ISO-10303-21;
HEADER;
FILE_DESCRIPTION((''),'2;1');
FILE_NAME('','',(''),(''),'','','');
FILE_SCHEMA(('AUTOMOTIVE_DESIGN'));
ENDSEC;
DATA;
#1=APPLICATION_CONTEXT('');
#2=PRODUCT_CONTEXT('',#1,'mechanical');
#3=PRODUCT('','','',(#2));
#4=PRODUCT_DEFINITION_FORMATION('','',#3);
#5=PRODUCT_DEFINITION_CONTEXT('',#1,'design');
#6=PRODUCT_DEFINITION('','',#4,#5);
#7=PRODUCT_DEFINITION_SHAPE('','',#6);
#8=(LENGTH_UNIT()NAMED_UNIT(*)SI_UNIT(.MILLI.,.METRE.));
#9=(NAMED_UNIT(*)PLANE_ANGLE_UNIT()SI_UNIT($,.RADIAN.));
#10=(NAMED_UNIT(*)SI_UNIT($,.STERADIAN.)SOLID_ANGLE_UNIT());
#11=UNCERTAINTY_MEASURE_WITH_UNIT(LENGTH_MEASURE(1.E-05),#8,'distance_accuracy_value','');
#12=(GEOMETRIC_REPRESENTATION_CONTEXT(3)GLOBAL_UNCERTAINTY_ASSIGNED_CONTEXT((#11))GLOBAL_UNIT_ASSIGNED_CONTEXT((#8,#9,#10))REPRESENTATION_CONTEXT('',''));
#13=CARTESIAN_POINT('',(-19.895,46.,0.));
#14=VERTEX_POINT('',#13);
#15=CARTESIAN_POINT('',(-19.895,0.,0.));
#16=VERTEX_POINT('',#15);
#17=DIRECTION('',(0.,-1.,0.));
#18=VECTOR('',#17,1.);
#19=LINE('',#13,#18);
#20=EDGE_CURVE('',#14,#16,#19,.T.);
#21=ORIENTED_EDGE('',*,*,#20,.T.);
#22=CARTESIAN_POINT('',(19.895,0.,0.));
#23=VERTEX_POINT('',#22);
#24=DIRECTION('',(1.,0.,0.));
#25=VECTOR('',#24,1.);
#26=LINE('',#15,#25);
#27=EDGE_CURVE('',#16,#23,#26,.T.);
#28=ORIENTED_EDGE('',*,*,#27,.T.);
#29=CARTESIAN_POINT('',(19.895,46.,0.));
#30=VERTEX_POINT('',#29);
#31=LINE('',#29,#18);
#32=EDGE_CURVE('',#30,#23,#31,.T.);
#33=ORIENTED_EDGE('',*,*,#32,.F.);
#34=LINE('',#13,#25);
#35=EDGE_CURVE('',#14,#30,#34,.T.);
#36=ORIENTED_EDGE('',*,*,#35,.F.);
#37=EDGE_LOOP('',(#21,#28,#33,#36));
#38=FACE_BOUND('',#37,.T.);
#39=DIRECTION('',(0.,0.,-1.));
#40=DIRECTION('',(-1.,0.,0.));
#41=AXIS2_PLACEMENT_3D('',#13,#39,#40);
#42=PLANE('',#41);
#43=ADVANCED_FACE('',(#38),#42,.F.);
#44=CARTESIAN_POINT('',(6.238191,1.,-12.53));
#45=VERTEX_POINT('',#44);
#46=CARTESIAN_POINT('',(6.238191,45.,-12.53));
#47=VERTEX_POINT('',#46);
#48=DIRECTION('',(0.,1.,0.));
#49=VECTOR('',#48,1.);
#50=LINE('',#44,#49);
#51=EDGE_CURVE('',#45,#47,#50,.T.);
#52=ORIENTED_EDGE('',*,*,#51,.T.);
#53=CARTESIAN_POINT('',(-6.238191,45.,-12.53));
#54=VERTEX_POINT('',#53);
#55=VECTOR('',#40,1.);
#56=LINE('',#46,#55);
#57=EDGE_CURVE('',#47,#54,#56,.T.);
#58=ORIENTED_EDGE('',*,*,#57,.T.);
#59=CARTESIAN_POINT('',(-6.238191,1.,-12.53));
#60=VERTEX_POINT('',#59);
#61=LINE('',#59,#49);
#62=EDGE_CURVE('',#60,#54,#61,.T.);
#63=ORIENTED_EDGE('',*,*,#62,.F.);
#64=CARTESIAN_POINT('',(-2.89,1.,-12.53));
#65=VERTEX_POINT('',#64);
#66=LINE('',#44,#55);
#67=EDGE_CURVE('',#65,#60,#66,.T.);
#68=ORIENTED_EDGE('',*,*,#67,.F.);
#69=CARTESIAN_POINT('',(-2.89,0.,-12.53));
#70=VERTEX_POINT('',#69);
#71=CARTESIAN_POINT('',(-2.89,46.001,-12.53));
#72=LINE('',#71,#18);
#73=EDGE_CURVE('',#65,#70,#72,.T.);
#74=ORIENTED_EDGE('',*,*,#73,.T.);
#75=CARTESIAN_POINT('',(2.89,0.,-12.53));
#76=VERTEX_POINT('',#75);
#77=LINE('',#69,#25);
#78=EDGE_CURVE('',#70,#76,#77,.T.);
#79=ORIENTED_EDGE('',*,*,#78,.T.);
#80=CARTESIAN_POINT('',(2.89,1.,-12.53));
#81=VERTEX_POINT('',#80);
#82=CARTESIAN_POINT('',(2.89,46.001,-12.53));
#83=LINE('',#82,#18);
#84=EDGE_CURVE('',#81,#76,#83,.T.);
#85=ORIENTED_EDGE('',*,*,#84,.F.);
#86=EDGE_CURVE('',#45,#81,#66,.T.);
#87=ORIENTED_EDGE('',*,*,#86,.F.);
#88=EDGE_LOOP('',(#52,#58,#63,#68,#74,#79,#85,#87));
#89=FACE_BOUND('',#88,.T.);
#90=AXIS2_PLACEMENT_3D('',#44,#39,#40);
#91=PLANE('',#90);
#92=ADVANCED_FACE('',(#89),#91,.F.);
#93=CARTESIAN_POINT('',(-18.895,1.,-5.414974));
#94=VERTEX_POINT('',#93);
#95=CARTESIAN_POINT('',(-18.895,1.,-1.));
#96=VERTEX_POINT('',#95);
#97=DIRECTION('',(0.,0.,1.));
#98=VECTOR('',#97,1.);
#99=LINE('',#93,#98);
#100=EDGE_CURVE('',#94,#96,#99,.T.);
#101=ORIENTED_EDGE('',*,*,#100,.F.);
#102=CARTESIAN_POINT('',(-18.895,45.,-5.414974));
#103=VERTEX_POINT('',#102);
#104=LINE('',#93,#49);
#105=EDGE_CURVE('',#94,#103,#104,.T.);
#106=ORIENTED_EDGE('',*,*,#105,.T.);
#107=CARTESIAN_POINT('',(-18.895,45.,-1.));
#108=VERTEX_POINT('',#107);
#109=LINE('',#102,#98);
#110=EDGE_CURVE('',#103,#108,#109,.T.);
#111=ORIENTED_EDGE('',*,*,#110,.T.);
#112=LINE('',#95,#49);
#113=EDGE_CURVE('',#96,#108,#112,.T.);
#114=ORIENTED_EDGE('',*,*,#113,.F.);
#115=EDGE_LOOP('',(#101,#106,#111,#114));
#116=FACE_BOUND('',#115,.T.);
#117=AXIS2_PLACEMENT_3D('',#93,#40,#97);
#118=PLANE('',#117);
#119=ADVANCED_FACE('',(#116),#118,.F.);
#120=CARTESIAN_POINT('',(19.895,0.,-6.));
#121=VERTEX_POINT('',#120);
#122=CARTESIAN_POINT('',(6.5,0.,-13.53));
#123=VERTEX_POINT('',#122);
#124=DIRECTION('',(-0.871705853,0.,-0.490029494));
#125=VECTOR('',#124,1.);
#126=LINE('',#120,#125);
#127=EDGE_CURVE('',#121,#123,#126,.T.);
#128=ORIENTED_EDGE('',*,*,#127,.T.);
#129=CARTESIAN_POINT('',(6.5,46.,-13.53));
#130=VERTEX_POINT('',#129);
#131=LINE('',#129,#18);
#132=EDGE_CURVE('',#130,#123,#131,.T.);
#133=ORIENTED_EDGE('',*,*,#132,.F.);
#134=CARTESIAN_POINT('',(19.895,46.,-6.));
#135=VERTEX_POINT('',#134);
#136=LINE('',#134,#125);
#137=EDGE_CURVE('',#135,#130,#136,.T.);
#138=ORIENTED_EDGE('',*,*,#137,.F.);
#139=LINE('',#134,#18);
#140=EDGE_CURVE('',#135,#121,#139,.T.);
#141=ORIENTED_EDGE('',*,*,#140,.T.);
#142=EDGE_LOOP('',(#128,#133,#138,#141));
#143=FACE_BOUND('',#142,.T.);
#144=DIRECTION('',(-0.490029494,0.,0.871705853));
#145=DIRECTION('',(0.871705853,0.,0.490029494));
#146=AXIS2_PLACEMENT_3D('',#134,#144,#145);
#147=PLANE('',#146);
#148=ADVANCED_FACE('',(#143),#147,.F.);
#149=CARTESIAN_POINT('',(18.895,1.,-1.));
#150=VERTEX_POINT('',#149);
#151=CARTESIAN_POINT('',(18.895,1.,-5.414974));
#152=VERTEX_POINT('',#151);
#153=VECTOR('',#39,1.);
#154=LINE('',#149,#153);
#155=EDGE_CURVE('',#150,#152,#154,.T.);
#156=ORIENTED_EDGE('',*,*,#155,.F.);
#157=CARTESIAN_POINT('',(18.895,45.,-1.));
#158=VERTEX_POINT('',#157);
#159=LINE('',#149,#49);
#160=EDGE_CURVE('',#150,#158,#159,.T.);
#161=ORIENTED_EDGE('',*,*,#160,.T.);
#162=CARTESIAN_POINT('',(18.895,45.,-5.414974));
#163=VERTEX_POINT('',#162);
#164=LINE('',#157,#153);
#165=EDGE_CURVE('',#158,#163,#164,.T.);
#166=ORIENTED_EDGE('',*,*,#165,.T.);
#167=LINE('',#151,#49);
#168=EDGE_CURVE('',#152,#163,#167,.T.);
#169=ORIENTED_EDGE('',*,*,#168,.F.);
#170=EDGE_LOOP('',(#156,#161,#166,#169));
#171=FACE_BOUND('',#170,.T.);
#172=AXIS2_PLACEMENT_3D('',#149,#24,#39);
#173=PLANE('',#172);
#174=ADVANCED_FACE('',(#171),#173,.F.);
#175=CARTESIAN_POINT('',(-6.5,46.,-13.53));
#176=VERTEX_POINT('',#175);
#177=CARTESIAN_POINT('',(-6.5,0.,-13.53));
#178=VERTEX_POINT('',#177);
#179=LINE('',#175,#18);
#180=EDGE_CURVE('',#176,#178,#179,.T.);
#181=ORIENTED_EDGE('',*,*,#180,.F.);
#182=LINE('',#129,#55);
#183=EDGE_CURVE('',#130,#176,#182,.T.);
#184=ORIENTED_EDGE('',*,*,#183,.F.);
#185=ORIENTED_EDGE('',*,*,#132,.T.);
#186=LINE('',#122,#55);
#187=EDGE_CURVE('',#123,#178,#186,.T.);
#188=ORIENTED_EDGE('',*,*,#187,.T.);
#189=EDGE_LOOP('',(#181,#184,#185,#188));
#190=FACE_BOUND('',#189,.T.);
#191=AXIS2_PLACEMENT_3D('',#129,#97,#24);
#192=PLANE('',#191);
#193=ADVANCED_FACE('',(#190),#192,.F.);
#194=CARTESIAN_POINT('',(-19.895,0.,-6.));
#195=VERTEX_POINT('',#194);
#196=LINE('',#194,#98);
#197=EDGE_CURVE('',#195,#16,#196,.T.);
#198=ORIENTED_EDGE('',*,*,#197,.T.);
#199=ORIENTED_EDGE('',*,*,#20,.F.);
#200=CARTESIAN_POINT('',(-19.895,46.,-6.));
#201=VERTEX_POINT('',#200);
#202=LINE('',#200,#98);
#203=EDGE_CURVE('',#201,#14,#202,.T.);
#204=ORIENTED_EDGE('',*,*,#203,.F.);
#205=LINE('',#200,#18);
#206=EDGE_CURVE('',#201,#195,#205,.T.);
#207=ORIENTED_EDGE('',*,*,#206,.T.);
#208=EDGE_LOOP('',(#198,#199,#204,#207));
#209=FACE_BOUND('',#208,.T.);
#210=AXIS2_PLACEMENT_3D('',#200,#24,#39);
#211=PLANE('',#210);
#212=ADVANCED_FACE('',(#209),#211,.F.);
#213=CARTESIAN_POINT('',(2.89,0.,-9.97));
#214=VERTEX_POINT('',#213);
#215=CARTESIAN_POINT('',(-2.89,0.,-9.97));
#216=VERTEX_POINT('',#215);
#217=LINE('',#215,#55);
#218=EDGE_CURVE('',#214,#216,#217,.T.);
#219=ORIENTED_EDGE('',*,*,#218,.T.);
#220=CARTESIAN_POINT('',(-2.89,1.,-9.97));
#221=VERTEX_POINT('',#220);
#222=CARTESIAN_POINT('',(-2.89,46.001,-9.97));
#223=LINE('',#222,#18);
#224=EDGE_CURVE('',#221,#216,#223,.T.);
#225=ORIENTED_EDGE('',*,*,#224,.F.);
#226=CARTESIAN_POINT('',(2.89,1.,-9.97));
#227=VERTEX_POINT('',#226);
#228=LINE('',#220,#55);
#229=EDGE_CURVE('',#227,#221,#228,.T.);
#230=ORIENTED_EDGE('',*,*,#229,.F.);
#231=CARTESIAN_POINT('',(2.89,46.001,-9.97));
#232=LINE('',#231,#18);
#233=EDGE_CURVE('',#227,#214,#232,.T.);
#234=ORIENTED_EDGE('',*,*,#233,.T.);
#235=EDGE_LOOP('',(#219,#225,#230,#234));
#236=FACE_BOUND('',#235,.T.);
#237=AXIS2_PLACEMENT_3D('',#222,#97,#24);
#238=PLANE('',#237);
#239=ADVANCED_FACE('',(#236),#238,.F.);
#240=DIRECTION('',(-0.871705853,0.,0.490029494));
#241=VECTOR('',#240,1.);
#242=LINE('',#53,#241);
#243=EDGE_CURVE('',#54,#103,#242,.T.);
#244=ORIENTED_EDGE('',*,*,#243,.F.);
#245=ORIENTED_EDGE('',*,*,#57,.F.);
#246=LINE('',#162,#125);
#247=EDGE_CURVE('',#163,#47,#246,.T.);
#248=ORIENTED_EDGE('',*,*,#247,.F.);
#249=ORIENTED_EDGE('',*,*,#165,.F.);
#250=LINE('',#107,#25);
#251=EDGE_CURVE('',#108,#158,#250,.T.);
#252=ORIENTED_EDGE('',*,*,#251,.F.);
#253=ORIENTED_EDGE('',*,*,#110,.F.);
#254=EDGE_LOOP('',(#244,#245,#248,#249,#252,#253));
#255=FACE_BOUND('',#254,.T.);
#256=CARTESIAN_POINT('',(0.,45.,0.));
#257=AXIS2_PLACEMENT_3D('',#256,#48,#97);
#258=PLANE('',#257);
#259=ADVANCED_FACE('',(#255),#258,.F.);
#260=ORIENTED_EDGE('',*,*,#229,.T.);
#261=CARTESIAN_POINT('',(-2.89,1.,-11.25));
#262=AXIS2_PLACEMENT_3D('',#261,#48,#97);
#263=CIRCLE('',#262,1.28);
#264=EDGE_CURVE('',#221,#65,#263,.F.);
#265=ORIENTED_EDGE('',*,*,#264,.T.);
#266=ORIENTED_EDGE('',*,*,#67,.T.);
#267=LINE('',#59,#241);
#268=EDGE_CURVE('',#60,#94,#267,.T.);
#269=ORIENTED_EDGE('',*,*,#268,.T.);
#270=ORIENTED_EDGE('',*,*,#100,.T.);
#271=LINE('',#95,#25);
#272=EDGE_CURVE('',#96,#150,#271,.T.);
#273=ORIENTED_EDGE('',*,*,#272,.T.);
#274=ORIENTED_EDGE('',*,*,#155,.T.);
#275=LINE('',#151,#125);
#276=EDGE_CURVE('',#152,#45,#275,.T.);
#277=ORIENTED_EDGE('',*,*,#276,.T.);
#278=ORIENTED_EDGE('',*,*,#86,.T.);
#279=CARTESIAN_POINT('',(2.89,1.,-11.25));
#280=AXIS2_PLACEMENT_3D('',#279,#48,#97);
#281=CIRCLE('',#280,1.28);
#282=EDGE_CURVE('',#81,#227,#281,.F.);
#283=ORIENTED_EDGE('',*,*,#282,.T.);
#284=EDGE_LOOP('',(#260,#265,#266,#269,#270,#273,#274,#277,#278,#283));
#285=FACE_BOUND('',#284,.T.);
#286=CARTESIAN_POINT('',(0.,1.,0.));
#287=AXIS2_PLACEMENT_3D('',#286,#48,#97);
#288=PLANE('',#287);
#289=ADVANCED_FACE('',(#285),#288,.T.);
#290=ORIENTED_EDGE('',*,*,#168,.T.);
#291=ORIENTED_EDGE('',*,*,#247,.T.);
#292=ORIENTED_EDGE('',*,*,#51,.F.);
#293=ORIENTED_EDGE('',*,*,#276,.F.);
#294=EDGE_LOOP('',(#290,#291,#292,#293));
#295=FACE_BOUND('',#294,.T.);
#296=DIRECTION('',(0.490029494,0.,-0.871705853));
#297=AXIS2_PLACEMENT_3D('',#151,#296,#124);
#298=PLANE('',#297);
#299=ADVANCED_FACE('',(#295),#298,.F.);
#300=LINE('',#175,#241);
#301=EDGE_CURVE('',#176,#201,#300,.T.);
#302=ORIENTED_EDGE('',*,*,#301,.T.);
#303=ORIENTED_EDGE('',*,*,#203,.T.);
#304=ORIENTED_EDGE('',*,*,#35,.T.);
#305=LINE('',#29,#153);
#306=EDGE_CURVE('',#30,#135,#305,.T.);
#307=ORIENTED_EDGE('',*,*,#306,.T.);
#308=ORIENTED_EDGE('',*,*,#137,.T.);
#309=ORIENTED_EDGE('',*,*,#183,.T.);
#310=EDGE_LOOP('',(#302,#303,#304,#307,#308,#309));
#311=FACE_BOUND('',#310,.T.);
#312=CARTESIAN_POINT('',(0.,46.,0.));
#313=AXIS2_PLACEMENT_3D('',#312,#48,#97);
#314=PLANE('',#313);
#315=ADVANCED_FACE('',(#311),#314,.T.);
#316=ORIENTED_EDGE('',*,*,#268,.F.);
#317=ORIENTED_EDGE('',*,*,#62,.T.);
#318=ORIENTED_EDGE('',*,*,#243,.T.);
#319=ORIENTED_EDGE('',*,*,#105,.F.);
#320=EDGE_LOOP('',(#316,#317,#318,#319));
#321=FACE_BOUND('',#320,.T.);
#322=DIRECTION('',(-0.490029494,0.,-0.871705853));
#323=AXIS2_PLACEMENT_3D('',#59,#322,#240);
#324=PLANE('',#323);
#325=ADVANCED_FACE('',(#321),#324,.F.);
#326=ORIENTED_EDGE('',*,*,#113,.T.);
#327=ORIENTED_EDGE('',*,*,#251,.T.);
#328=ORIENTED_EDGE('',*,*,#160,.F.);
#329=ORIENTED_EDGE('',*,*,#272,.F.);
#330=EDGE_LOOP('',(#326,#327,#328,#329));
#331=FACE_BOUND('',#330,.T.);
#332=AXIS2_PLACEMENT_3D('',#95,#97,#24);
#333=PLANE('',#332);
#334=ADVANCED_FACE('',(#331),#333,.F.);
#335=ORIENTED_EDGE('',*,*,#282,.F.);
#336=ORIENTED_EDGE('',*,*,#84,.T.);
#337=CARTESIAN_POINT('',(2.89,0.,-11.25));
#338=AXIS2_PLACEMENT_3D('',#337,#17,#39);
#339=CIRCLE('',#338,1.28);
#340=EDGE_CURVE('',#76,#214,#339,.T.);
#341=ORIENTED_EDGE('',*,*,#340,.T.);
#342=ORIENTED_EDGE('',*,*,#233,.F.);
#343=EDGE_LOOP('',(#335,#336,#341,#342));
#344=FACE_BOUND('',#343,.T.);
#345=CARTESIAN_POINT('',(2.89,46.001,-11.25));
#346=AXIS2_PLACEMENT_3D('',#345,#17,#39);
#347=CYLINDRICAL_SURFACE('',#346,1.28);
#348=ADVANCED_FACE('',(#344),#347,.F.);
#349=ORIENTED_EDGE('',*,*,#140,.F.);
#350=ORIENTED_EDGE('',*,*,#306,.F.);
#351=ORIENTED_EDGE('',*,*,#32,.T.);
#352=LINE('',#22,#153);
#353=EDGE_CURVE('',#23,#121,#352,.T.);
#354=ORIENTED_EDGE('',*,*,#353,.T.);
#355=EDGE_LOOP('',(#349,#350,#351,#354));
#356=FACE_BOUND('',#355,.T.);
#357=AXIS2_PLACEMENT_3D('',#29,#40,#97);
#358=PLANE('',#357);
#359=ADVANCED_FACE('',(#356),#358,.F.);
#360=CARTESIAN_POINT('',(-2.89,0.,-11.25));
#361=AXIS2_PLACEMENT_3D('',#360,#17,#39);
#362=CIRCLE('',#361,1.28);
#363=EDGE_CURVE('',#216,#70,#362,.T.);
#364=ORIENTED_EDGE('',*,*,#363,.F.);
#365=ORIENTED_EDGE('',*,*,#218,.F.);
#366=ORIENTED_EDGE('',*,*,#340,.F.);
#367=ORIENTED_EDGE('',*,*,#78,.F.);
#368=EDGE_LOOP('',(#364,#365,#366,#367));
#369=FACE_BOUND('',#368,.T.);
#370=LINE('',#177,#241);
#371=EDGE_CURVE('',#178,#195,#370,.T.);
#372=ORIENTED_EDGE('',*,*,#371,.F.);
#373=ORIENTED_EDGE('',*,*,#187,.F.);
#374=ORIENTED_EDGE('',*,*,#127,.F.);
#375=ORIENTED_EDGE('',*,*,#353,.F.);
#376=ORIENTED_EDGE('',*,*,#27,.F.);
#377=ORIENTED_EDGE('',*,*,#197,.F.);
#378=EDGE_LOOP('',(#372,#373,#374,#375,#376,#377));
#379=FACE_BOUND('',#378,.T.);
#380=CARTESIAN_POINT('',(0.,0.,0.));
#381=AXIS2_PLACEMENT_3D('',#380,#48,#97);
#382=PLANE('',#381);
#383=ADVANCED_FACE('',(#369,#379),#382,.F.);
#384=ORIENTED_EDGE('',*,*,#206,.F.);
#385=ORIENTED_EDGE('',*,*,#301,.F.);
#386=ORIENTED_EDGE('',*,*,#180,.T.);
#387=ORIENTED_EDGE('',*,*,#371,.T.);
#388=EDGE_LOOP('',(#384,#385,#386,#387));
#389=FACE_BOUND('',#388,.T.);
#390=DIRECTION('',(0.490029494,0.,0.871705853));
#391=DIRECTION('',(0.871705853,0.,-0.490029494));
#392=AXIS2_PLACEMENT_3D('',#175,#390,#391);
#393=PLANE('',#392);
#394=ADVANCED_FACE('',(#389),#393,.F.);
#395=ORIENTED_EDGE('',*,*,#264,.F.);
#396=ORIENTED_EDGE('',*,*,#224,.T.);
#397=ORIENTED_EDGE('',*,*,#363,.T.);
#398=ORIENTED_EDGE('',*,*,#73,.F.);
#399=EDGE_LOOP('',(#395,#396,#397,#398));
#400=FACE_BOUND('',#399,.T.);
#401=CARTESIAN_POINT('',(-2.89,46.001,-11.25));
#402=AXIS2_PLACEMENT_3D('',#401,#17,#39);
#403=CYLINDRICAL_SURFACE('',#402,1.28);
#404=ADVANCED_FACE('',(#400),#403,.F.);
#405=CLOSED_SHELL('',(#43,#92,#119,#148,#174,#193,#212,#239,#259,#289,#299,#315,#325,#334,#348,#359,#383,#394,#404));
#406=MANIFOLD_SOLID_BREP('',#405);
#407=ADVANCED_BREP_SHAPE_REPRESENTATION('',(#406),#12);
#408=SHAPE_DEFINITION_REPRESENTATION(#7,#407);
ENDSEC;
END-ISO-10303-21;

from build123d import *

# Parameters (mm, degrees)
BOSS_EXTRUDE1_DEPTH = 46
CUT_EXTRUDE1_START  = -1
CUT_EXTRUDE1_DEPTH  = 44
CUT_EXTRUDE2_REACH  = 53.912


with BuildPart() as part:
    # Sketch1 → Boss-Extrude1 (new body)
    with BuildSketch(Plane(origin=(0, 0, 0), x_dir=(1, 0, 0), z_dir=(0, 1, 0))):
        Polygon((-19.895, 0), (19.895, 0), (19.895, 6), (6.5, 13.53), (-6.5, 13.53), (-19.895, 6), align=None)
    extrude(amount=BOSS_EXTRUDE1_DEPTH)

    # Sketch2 → Cut-Extrude1 (cut)
    with BuildSketch(Plane(origin=(0, 46, 0), x_dir=(1, 0, 0), z_dir=(0, 1, 0)).offset(CUT_EXTRUDE1_START)):
        Polygon((18.895, 5.414974095), (6.23819097, 12.53), (-6.23819097, 12.53), (-18.895, 5.414974095), (-18.895, 1), (18.895, 1), align=None)
    extrude(amount=-CUT_EXTRUDE1_DEPTH, mode=Mode.SUBTRACT)

    # Sketch3 → Cut-Extrude2 (cut, up to next)
    with BuildSketch(Plane.XZ, mode=Mode.PRIVATE) as cut_extrude2_sk1:
        with BuildLine():
            Line((-2.89, -9.97), (2.89, -9.97))
            ThreePointArc((2.89, -9.97), (4.17, -11.25), (2.89, -12.53))
            Line((2.89, -12.53), (-2.89, -12.53))
            ThreePointArc((-2.89, -12.53), (-4.17, -11.25), (-2.89, -9.97))
        make_face()
    cut_extrude2_tool1 = extrude(cut_extrude2_sk1.sketch, amount=-CUT_EXTRUDE2_REACH, mode=Mode.PRIVATE) & part.part
    add(cut_extrude2_tool1.solids().sort_by_distance((0, 0, -11.25))[0], mode=Mode.SUBTRACT)


solid = part.part
